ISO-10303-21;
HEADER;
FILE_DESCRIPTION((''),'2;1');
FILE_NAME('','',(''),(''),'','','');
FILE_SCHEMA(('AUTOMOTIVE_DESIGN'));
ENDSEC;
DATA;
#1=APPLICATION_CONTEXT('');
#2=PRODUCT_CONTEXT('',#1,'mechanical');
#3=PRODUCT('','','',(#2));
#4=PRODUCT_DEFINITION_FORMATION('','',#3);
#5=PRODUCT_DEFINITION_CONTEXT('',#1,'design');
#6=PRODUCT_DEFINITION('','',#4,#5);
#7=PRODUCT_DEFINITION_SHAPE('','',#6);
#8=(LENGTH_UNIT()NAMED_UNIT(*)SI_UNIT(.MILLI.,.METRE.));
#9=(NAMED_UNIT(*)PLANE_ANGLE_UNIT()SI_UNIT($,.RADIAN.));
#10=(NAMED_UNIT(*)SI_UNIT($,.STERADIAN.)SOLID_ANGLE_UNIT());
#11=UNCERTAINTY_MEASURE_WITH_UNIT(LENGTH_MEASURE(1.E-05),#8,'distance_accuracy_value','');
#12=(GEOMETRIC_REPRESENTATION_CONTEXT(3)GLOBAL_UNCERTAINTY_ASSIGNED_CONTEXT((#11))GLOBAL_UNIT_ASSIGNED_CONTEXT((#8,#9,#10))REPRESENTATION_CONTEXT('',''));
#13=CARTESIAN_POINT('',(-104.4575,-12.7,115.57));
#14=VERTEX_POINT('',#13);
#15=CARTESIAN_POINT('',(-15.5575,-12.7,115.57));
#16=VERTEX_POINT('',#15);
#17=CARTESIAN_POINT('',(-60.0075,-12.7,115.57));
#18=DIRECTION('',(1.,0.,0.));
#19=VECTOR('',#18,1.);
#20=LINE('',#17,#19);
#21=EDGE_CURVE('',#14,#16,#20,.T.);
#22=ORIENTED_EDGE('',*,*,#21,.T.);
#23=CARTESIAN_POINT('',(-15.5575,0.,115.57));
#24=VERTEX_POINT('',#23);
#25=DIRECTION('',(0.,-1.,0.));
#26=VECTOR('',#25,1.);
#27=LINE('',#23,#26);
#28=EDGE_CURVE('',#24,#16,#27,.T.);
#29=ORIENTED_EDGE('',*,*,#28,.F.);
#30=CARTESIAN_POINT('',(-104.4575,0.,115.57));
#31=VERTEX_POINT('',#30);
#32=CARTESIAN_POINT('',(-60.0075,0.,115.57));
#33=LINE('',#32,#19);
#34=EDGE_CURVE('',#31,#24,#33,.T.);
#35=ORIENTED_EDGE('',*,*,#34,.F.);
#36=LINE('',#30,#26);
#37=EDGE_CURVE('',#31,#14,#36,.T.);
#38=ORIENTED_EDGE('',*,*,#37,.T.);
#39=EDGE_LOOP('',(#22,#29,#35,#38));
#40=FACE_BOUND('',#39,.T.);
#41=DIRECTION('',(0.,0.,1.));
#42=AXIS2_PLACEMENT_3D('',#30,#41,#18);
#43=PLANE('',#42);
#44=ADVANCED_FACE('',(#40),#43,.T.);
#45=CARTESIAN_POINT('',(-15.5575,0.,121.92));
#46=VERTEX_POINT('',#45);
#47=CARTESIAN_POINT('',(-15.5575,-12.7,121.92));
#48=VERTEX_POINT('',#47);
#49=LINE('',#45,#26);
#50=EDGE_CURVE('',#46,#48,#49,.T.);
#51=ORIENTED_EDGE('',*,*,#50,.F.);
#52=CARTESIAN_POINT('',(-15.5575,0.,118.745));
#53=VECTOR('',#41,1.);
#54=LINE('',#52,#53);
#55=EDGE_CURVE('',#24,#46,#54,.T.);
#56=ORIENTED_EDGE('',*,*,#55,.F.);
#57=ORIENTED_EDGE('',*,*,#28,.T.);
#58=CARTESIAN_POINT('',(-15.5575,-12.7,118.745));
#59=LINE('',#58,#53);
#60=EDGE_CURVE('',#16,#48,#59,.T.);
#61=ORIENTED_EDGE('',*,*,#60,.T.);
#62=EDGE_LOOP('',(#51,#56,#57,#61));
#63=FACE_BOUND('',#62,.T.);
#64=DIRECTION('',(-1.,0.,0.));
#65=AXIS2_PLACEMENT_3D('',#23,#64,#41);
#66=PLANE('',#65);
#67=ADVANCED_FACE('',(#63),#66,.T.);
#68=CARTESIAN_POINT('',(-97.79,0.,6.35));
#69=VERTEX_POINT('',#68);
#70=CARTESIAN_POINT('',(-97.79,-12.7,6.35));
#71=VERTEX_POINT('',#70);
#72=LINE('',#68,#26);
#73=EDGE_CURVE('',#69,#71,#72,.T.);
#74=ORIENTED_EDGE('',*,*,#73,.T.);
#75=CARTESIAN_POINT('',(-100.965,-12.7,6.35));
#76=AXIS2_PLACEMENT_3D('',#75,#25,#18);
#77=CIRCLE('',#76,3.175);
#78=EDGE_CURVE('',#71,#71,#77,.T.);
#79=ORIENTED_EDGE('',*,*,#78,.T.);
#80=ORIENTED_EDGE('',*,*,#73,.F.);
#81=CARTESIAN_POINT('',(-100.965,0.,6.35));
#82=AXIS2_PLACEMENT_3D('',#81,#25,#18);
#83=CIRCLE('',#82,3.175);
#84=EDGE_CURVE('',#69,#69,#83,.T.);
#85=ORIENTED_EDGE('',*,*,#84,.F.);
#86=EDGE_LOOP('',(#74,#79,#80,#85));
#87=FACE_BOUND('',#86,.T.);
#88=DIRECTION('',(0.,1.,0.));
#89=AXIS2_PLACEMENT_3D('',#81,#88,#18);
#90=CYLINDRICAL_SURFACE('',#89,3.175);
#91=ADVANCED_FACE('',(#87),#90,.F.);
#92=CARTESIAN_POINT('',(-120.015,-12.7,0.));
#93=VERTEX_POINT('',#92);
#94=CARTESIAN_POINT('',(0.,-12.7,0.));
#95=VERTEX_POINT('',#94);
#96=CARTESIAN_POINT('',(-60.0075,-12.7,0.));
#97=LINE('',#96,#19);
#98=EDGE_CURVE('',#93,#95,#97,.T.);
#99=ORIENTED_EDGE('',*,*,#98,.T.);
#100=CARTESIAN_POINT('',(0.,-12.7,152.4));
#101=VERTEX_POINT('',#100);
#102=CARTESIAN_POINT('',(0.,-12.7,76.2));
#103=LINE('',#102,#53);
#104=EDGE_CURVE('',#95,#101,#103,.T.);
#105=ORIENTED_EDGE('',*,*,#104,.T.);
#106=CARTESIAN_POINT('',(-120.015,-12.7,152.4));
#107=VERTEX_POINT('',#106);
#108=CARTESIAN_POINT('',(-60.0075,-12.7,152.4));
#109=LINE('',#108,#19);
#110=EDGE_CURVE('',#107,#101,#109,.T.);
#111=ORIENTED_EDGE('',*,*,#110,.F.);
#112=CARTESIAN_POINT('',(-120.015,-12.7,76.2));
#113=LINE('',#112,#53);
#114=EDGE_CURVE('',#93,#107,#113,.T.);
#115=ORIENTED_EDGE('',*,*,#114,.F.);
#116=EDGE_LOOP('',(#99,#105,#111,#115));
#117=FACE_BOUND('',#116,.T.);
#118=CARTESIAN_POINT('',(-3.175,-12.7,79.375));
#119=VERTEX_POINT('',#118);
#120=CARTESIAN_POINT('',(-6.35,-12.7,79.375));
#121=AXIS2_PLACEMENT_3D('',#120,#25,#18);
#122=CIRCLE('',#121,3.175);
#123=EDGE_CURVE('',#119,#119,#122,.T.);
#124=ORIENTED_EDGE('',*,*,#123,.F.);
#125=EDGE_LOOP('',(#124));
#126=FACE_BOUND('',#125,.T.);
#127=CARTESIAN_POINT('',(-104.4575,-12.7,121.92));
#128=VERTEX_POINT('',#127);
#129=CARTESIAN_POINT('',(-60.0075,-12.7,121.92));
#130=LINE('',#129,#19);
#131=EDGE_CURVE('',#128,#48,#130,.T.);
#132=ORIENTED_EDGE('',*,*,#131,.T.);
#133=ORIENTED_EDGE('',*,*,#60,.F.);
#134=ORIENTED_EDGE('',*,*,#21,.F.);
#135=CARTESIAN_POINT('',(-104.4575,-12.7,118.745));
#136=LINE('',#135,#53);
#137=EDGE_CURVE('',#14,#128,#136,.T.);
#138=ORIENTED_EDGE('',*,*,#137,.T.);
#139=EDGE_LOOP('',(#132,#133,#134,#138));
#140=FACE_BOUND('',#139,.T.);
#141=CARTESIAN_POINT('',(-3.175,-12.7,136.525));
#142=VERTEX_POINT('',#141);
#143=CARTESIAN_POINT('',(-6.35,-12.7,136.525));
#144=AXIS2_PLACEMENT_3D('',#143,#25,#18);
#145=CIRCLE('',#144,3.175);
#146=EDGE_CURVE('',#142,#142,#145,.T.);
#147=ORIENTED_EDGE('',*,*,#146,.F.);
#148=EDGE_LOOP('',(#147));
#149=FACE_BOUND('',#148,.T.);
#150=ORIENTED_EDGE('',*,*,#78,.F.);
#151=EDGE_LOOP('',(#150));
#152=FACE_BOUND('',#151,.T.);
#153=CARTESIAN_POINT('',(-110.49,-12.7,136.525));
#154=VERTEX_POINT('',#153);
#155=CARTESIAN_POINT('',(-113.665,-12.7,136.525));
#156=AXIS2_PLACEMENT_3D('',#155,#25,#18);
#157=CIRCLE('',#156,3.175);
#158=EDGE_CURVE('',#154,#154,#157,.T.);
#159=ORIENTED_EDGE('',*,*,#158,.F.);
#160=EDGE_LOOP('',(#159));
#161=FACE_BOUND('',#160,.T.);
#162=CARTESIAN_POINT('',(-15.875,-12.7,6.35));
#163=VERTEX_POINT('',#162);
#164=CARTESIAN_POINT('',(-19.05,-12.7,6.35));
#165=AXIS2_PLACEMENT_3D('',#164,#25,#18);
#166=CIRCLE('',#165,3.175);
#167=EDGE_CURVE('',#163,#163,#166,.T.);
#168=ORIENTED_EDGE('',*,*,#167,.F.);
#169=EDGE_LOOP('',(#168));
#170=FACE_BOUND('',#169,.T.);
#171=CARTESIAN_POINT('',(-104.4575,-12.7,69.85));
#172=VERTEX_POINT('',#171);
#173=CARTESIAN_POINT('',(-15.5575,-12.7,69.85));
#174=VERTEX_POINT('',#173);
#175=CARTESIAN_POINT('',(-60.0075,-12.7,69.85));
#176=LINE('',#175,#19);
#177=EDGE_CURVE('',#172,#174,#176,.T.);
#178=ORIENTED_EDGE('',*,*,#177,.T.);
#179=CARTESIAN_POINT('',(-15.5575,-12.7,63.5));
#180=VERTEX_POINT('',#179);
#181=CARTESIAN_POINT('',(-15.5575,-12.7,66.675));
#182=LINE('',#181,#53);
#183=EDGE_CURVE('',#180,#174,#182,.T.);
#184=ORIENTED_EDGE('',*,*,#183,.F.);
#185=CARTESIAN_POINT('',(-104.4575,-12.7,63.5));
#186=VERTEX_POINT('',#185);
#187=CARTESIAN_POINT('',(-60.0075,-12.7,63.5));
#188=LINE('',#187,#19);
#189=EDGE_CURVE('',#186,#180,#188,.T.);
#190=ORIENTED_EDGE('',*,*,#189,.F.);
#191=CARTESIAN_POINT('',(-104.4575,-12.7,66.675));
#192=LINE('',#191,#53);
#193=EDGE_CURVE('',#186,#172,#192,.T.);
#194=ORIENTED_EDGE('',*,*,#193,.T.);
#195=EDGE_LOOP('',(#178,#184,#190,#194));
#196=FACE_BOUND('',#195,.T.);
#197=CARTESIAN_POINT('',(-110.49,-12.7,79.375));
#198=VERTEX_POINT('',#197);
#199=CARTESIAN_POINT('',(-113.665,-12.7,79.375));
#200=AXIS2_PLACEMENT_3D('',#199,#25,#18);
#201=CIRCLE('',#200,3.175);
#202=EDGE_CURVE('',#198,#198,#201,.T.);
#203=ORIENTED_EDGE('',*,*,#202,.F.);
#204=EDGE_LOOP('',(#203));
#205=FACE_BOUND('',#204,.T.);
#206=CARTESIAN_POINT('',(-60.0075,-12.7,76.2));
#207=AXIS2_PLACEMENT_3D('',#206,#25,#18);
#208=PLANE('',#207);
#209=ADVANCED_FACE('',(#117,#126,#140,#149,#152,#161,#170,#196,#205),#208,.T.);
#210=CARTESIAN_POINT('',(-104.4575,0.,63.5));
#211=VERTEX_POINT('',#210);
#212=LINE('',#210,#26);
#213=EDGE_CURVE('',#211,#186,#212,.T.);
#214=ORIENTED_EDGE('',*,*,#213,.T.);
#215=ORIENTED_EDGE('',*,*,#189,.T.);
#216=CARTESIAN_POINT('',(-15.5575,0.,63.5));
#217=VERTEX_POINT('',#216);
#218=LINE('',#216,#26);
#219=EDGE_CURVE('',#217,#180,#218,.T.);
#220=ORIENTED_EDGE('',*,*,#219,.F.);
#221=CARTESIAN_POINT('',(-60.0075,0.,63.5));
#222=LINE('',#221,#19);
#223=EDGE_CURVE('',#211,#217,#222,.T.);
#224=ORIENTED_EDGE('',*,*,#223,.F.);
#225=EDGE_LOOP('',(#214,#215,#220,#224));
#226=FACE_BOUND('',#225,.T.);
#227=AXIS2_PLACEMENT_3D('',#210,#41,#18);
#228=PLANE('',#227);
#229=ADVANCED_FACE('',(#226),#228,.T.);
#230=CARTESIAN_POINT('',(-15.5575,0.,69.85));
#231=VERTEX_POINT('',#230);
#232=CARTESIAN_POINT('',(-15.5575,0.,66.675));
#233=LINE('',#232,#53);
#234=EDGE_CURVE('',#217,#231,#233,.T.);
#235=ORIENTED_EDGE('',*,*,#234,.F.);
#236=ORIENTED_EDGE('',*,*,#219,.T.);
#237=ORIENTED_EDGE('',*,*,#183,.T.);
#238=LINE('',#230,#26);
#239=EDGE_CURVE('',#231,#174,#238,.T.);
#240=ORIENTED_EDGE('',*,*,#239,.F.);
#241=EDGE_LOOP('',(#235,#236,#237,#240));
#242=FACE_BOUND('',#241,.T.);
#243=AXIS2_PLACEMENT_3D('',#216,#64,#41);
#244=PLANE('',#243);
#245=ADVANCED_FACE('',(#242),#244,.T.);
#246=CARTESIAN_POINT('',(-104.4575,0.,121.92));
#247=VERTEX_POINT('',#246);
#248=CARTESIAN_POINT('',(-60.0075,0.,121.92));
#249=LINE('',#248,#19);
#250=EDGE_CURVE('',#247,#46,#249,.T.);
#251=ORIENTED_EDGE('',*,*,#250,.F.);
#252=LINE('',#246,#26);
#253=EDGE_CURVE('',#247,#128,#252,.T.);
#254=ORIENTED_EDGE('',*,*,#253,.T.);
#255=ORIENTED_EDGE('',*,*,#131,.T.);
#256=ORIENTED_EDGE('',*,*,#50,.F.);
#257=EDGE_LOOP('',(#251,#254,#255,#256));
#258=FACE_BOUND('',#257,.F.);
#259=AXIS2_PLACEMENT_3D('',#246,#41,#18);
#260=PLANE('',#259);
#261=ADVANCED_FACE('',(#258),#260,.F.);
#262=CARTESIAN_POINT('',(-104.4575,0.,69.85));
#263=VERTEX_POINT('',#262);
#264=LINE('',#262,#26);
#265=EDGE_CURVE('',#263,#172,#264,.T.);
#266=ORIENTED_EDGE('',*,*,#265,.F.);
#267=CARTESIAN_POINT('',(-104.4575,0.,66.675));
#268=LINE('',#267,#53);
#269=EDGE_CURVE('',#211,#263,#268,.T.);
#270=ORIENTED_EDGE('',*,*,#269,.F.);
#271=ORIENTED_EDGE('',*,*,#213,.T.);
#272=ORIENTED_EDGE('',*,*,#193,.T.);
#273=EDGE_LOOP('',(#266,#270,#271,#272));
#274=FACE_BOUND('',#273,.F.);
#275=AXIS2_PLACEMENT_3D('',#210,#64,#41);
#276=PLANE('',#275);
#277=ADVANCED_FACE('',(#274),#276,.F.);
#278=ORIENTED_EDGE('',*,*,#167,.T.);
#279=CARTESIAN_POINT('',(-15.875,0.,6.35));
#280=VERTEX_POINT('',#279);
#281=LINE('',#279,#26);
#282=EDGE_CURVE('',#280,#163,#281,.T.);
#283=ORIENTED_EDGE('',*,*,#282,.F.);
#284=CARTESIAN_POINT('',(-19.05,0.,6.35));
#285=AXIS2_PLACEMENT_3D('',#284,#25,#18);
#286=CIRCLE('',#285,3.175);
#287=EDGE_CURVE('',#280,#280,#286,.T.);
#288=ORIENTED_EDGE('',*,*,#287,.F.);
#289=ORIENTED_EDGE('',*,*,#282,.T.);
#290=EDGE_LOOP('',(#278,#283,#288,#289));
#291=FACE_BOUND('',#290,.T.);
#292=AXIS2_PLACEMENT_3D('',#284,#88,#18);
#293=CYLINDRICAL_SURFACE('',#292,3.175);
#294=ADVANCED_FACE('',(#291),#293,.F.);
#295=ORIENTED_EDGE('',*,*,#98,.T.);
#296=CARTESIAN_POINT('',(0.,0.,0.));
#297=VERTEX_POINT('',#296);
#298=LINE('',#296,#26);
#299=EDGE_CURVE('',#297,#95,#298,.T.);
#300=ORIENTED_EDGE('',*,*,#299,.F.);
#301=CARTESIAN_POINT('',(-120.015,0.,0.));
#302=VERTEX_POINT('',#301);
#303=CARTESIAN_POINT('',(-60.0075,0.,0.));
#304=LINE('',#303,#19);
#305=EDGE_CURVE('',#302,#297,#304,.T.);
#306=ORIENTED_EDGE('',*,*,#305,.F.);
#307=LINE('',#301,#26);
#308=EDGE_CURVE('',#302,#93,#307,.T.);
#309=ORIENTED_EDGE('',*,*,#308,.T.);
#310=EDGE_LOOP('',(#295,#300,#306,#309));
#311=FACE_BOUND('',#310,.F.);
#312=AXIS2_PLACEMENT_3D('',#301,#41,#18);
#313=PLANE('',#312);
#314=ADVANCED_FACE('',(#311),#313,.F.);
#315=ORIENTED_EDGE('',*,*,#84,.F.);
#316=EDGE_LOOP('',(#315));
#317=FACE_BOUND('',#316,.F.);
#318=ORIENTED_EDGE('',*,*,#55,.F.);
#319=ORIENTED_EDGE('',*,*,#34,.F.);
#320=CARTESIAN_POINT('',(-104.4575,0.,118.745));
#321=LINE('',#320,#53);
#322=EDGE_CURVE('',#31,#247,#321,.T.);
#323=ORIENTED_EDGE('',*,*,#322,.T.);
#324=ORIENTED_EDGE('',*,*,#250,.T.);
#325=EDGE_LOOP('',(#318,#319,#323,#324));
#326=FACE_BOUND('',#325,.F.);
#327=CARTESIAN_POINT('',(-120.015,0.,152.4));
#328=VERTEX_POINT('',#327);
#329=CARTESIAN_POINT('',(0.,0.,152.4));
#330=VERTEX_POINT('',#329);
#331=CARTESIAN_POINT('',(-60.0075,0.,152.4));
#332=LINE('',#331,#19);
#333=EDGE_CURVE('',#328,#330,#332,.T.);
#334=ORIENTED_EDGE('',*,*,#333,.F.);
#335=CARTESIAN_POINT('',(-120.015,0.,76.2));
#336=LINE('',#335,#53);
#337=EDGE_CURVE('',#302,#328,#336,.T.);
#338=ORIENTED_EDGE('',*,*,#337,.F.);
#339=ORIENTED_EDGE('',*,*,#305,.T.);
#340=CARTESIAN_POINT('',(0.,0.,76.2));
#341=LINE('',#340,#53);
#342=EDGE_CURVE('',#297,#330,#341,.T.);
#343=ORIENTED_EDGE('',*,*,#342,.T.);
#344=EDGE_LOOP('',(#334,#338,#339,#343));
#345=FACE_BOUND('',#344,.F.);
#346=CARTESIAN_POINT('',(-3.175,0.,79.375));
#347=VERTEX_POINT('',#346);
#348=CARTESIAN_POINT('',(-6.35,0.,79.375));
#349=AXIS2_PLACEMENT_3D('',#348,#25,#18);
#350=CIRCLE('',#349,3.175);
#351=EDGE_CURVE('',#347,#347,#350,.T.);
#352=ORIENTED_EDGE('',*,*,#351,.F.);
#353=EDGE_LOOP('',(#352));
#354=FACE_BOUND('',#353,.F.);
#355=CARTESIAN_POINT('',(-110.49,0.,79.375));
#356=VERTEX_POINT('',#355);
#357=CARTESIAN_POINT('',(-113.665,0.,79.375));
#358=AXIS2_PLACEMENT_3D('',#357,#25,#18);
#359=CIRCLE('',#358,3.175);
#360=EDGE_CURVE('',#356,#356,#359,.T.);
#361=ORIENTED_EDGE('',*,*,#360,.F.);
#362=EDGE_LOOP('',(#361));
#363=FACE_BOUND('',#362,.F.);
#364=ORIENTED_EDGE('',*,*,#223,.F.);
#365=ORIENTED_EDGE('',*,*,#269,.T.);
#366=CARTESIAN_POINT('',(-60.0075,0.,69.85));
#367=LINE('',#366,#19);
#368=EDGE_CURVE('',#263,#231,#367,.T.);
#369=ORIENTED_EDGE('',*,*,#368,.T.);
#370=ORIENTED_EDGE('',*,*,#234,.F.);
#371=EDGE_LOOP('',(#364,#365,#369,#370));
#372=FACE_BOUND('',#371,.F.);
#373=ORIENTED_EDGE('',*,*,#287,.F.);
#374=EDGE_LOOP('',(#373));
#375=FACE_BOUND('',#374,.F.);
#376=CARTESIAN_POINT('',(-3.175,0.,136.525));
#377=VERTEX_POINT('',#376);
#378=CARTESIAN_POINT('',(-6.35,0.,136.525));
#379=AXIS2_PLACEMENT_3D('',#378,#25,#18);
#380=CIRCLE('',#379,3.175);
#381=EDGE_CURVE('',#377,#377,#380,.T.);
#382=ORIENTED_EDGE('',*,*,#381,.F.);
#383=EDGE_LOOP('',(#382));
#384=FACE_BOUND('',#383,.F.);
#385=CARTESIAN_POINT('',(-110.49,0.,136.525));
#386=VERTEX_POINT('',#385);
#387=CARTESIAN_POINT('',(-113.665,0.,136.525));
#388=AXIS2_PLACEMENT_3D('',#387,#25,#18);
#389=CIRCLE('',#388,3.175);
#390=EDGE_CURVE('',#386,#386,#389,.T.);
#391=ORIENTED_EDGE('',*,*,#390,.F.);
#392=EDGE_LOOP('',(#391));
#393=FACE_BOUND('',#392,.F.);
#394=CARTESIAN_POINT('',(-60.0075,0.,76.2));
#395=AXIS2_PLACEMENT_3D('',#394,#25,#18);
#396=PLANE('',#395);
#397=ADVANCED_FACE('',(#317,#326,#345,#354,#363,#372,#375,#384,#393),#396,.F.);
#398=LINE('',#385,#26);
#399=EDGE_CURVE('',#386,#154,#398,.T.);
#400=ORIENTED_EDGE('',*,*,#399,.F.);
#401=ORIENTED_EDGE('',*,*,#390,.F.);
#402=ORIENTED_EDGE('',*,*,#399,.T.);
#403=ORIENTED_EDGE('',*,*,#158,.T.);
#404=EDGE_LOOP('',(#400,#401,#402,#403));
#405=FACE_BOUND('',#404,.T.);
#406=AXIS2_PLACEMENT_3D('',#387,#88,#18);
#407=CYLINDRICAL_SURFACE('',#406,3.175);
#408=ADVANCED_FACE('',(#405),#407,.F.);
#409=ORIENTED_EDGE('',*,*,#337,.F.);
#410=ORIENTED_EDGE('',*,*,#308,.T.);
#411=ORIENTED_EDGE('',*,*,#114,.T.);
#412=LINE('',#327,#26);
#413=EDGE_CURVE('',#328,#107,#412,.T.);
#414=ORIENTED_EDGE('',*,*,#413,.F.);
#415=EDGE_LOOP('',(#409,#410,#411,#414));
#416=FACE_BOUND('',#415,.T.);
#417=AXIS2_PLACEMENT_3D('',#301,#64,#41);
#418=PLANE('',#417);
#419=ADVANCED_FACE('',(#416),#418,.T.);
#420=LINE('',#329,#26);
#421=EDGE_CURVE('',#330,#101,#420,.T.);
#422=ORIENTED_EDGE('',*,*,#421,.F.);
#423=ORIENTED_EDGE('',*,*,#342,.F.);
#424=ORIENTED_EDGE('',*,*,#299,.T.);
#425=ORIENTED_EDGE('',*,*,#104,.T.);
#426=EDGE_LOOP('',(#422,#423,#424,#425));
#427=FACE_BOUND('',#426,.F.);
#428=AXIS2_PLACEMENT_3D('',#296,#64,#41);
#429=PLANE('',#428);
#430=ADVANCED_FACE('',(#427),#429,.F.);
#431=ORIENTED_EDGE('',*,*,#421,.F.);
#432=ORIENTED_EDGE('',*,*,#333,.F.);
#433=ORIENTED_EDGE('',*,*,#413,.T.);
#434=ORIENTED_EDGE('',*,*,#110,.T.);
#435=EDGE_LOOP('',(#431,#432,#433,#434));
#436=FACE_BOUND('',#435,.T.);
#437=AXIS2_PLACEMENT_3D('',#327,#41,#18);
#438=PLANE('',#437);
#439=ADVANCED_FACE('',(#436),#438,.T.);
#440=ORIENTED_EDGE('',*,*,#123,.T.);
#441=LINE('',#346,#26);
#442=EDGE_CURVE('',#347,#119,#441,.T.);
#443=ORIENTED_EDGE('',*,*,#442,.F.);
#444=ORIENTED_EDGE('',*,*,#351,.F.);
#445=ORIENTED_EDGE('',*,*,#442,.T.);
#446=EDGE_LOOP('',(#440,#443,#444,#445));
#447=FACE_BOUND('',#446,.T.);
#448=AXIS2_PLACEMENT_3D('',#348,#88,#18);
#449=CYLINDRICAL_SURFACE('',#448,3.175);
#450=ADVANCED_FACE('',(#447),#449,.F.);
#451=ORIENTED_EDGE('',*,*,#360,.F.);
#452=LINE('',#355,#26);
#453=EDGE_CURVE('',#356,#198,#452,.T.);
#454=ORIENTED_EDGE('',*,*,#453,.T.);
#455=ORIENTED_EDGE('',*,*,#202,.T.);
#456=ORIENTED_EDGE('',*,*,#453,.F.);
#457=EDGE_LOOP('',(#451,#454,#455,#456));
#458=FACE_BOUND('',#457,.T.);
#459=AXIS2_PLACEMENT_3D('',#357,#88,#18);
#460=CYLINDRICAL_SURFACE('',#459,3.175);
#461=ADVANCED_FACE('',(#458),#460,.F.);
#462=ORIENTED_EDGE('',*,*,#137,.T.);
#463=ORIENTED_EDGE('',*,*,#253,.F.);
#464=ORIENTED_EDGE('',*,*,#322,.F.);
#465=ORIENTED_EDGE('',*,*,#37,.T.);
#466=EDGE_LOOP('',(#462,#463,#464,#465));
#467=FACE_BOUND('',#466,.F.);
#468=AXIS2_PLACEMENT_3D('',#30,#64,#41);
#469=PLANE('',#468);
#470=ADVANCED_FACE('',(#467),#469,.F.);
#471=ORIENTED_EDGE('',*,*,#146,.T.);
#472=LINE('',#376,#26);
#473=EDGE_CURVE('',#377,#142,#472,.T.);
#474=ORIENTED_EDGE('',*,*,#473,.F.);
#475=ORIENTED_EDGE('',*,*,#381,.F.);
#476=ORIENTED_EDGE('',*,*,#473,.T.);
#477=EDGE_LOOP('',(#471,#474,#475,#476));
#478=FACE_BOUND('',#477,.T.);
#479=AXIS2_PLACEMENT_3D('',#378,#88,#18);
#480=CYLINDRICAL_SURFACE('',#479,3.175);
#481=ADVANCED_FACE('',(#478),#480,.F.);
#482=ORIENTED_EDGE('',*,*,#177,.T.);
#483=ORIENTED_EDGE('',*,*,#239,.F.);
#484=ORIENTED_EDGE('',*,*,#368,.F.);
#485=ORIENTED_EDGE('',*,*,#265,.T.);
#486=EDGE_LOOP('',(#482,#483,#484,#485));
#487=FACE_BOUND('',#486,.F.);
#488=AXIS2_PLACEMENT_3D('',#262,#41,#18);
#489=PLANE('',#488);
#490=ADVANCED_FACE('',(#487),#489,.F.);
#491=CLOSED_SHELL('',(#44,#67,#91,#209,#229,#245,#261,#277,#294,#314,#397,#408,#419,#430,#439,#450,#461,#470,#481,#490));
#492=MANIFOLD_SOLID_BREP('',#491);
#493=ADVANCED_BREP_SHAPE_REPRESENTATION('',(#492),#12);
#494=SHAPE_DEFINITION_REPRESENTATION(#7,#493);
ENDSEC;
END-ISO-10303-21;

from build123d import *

# Parameters (mm, degrees)
F0_W     = 120.015
F0_H     = 152.4
F0_R     = 3.175
F0_W_2   = 88.9
F0_H_2   = 6.35
F1_DEPTH = 12.7


with BuildPart() as f1:
    # F0 (on Front) → F1 (new body)
    with BuildSketch(Plane.XZ):
        with Locations((-60.0075, 76.2)):
            Rectangle(F0_W, F0_H)
        with Locations((-100.965, 6.35)):
            Circle(F0_R, mode=Mode.SUBTRACT)
        with Locations((-19.05, 6.35)):
            Circle(F0_R, mode=Mode.SUBTRACT)
        with Locations((-60.0075, 66.675)):
            Rectangle(F0_W_2, F0_H_2, mode=Mode.SUBTRACT)
        with Locations((-113.665, 79.375)):
            Circle(F0_R, mode=Mode.SUBTRACT)
        with Locations((-113.665, 136.525)):
            Circle(F0_R, mode=Mode.SUBTRACT)
        with Locations((-6.35, 79.375)):
            Circle(F0_R, mode=Mode.SUBTRACT)
        with Locations((-60.0075, 118.745)):
            Rectangle(F0_W_2, F0_H_2, mode=Mode.SUBTRACT)
        with Locations((-6.35, 136.525)):
            Circle(F0_R, mode=Mode.SUBTRACT)
    extrude(amount=F1_DEPTH)


solid = f1.part
